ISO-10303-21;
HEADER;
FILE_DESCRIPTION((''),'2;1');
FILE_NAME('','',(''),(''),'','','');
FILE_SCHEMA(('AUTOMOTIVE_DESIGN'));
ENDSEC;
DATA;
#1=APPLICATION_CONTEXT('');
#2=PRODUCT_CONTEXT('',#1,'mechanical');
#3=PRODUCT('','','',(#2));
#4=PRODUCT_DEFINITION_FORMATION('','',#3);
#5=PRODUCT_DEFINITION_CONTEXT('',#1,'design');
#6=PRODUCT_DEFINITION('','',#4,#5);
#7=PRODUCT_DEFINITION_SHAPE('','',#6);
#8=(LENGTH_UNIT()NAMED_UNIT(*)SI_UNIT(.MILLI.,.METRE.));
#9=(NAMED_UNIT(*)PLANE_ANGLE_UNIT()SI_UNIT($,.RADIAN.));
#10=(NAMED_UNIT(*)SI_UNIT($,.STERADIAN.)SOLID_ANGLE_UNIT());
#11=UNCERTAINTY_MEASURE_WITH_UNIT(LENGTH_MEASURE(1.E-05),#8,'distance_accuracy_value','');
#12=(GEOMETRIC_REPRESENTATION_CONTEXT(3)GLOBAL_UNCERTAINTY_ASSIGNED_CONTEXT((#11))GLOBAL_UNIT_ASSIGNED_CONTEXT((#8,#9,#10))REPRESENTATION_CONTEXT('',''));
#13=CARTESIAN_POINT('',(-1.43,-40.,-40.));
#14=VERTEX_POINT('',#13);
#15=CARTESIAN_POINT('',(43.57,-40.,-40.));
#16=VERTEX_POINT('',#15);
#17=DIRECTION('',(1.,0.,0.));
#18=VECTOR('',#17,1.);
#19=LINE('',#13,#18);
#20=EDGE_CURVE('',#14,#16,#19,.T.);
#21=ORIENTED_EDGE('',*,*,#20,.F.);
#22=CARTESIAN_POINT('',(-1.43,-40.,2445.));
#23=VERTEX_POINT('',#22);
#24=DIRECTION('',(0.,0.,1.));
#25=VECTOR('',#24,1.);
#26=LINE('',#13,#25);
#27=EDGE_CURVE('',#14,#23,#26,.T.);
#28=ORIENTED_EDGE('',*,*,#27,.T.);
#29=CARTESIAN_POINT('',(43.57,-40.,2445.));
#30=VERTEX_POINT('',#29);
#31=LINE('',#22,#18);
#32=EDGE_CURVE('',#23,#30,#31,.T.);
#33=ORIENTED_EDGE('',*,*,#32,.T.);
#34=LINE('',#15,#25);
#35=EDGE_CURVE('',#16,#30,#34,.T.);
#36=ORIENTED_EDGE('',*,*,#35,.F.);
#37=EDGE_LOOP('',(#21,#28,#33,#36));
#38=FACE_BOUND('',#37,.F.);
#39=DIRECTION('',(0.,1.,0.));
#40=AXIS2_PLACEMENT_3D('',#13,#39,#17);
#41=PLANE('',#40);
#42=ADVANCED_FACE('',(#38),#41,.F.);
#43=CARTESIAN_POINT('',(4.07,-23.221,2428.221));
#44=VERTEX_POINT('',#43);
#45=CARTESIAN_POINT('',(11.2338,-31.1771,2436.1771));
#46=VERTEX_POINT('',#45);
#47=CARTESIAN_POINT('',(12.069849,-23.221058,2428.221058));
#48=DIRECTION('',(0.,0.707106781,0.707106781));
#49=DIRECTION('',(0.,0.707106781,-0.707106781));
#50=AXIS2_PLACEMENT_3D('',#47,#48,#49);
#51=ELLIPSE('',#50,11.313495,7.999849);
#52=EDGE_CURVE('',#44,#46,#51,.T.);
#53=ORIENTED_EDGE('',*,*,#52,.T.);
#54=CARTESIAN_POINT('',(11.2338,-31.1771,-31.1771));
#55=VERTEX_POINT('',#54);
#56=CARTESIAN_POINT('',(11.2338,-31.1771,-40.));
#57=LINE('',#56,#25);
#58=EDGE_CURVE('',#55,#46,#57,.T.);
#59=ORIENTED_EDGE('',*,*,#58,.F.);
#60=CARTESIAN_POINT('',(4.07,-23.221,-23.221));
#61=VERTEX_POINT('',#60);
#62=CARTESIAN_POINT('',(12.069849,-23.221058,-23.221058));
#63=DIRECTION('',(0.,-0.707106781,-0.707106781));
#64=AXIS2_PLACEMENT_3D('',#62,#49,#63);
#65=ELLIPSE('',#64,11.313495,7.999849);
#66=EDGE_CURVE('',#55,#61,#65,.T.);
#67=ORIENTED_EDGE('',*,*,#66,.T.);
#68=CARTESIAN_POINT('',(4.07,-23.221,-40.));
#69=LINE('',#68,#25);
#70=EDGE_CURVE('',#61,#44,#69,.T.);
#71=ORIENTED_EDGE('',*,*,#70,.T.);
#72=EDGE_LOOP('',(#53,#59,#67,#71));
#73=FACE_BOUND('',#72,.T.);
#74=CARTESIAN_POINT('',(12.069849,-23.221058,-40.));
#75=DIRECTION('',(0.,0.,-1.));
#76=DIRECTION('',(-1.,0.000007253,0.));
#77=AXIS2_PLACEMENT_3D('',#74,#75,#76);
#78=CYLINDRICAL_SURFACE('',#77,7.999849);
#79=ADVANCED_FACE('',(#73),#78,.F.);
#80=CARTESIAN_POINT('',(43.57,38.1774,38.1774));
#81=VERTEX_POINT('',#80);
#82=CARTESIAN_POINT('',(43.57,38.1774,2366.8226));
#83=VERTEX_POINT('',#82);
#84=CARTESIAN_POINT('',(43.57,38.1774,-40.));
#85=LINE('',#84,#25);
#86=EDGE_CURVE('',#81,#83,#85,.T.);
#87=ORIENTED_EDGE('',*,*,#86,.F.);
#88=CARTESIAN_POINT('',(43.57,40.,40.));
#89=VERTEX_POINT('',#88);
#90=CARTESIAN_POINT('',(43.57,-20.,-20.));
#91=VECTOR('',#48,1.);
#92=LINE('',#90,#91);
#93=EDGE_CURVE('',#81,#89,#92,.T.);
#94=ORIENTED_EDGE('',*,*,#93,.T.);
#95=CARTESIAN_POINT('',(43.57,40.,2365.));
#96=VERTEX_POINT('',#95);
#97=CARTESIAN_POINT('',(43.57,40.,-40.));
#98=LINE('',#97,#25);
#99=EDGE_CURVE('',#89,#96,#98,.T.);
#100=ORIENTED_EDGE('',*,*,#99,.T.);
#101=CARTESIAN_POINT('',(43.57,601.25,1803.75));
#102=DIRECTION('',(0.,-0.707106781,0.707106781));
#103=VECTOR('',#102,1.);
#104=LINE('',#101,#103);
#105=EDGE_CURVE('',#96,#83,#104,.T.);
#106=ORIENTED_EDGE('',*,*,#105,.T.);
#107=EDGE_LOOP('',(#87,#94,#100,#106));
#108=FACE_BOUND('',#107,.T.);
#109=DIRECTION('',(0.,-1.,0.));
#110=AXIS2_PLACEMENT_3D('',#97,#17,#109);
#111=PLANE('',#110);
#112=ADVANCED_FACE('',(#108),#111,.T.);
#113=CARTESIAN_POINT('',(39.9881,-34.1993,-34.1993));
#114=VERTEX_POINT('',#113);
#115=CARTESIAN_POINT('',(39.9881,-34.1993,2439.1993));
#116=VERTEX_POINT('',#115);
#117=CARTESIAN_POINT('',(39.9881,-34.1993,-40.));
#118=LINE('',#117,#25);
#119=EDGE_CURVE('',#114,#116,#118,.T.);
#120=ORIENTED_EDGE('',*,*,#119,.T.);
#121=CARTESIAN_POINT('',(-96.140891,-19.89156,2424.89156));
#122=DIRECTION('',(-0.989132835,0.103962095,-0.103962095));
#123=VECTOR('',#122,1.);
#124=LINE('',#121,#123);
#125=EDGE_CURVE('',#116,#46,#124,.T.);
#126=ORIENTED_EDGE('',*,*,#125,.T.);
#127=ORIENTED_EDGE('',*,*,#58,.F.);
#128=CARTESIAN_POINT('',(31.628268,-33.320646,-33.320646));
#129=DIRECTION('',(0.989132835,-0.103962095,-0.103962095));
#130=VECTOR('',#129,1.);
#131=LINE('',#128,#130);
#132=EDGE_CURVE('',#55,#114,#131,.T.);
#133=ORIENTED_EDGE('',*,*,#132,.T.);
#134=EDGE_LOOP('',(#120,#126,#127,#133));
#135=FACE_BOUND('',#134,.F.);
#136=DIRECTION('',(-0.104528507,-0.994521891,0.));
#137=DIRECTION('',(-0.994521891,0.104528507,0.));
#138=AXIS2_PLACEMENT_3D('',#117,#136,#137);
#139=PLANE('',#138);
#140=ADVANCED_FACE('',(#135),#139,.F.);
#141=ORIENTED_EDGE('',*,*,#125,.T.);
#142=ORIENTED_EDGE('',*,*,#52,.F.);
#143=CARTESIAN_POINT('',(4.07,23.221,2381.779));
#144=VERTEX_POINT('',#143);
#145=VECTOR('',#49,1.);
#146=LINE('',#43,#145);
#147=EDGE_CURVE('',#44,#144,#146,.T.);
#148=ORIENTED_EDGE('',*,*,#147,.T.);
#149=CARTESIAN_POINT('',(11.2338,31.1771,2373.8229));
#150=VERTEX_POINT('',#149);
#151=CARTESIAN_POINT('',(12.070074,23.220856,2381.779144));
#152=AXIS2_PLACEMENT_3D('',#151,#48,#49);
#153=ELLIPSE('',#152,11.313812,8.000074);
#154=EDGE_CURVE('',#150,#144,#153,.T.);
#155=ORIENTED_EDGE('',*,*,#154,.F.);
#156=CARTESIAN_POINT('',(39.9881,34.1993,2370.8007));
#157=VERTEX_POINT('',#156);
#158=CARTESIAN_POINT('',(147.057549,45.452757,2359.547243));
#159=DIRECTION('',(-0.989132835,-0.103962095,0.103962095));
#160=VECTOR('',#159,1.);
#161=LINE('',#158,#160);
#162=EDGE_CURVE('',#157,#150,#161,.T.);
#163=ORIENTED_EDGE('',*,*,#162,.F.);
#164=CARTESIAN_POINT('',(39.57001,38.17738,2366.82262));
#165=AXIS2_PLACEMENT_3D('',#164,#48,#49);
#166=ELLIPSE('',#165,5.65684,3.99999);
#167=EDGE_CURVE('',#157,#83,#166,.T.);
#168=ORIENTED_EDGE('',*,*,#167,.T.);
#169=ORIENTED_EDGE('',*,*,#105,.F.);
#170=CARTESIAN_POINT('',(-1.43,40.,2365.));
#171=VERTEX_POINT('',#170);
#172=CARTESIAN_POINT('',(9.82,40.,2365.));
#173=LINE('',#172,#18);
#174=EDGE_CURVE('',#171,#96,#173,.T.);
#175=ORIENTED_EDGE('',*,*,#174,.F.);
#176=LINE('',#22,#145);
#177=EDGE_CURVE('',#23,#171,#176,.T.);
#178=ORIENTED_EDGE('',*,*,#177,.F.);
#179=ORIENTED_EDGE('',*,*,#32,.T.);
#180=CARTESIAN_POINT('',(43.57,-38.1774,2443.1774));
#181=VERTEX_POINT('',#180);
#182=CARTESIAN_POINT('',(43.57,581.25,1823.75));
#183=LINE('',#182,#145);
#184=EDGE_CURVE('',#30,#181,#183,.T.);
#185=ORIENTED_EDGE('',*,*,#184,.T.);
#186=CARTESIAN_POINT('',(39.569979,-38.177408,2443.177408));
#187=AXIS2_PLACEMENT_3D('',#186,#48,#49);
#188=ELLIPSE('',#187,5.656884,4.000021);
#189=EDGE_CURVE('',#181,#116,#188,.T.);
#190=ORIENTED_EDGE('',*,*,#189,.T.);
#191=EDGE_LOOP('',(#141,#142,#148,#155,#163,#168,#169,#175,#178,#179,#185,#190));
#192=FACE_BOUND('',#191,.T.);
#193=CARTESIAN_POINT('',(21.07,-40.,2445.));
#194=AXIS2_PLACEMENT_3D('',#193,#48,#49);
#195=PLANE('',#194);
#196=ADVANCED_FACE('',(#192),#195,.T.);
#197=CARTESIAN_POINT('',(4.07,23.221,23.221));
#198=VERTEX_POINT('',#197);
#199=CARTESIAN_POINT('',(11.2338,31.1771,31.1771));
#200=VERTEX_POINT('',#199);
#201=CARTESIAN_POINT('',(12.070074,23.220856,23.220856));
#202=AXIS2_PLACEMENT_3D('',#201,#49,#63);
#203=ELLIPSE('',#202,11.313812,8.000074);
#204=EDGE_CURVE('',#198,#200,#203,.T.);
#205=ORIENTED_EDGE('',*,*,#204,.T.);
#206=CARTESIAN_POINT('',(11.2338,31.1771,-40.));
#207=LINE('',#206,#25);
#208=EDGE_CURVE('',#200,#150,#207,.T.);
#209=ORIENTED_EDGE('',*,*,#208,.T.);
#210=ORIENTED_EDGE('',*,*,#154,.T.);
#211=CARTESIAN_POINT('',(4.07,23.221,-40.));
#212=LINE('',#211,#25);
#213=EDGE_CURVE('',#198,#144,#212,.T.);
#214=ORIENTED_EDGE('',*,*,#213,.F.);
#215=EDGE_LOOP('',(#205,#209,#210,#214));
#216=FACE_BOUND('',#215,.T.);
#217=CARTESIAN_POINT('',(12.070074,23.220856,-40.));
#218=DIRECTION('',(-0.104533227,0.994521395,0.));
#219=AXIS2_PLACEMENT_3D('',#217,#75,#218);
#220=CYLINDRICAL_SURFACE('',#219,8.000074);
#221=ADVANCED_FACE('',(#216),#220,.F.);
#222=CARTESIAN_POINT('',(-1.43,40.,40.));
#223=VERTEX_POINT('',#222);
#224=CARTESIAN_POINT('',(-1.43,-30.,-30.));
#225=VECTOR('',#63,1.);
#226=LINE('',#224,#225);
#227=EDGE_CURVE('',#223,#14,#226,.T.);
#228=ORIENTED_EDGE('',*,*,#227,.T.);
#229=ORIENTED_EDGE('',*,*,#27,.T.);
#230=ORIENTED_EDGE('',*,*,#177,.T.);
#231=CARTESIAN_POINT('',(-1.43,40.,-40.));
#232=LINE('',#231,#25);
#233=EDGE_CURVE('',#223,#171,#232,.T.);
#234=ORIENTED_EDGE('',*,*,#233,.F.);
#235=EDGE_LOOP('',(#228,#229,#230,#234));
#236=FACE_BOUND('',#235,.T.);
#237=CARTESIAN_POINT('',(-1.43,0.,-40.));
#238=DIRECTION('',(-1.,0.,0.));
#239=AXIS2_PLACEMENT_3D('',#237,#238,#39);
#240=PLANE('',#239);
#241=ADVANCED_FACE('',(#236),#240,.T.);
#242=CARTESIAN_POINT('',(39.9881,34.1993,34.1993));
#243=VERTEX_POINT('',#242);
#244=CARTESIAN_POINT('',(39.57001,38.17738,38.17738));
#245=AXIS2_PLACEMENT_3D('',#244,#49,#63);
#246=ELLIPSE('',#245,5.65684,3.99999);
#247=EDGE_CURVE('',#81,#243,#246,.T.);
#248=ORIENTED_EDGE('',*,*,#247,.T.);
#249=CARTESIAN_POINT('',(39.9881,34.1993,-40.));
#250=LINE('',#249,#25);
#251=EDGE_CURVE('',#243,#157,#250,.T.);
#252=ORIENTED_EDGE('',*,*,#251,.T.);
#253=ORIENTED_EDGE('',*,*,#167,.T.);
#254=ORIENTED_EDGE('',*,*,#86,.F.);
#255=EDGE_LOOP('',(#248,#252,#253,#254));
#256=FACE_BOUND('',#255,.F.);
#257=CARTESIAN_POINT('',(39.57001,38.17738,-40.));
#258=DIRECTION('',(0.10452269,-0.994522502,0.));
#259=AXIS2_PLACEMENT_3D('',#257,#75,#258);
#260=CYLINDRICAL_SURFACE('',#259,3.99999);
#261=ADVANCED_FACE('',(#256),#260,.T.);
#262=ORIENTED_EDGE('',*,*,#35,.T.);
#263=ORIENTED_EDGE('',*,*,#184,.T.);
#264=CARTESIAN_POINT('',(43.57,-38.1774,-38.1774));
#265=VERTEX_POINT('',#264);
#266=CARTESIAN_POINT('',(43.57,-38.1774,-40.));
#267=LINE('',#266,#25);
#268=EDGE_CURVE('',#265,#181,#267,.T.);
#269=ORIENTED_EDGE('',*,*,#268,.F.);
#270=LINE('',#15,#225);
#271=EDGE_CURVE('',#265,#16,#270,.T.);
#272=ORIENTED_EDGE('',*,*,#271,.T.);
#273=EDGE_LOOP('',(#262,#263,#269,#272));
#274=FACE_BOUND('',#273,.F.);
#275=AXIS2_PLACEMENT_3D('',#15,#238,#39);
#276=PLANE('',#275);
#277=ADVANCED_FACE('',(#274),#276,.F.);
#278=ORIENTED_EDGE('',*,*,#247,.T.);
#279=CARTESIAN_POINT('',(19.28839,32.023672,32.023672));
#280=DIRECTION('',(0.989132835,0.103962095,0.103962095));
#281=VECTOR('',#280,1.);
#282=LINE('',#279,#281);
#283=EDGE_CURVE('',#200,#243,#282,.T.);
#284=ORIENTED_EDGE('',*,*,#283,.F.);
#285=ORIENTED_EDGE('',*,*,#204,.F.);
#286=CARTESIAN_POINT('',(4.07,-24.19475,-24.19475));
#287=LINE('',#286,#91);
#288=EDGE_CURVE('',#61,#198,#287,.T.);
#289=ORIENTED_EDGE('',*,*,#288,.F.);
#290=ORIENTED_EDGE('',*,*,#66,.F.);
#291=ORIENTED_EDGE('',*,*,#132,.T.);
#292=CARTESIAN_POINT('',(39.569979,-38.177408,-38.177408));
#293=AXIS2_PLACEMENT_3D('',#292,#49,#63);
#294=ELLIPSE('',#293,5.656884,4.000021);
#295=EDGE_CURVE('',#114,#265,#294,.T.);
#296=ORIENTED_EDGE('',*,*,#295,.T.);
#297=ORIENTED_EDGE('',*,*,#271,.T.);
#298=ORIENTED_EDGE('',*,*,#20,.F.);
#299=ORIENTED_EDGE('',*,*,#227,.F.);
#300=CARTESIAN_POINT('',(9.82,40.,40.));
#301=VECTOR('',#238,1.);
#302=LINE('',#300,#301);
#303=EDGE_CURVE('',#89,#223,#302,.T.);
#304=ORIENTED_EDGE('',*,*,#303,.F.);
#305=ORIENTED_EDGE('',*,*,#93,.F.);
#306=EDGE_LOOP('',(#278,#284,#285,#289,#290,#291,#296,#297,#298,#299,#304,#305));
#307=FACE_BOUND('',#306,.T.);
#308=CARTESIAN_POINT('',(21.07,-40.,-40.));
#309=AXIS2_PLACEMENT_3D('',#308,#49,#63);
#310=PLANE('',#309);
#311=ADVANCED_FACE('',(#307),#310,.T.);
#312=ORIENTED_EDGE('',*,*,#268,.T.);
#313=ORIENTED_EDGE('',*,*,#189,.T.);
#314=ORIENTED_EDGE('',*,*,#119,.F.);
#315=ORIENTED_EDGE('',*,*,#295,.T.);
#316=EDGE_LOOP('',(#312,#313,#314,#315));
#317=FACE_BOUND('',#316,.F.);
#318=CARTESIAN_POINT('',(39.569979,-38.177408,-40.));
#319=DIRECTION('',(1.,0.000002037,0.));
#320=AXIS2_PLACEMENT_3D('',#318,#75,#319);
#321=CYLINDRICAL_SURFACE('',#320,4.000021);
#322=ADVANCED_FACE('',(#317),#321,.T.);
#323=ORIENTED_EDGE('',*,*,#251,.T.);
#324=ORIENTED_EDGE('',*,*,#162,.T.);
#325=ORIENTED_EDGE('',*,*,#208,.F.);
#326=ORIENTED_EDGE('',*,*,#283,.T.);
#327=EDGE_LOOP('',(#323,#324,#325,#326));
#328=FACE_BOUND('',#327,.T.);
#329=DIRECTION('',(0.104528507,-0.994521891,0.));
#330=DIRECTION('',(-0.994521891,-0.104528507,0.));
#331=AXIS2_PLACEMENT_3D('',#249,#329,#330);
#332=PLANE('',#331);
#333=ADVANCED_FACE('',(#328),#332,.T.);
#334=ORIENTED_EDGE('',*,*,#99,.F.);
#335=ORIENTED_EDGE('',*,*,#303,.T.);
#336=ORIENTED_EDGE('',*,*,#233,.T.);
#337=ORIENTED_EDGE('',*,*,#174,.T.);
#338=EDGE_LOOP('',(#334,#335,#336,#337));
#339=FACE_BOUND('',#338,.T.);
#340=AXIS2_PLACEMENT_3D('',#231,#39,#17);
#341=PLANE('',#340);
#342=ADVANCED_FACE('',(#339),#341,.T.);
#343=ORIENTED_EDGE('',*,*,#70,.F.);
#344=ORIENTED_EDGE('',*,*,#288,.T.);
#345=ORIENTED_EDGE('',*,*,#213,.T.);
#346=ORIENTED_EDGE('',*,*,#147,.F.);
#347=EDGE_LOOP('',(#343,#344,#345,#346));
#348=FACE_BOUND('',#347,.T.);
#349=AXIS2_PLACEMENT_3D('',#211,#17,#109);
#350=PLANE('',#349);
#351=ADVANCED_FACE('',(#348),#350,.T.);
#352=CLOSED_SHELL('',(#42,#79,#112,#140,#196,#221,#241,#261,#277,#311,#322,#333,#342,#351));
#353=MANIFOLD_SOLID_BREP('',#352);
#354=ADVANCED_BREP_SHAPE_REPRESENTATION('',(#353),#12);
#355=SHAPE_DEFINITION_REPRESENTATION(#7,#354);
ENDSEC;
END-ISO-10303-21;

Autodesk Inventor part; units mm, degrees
ref_plane "Начальная плоскость" through (0, 0, -40) normal (0, 0, 1) x (1, 0, 0)
ref_plane "Конечная плоскость" through (0, 0, 2445) normal (0, 0, 1) x (1, 0, 0)
sketch "Эскиз" plane through (0, 0, 0) normal (0, 0, 1) x (1, 0, 0)
  line L0 (-1.43, 0) -> (-1.43, 40)
  line L1 (-1.43, 40) -> (43.57, 40)
  line L2 (43.57, 40) -> (43.57, 38.1774)
  line L3 (39.9881, 34.1993) -> (11.2338, 31.1771)
  line L4 (4.07, 23.221) -> (4.07, 0)
  line L5 (4.07, 0) -> (-1.43, 0) construction
  line L6 (23.82, 40) -> (23.82, 32.5) construction
  line L7 (43.57, 34.5758) -> (43.57, 32.5) construction
  line L8 (43.57, 32.5) -> (23.82, 32.5) construction
  line L9 (0, 15) -> (0, -27) construction
  line L10 (-5.539, 0) -> (16.0067, 0) construction
  line L11 (-1.43, 0) -> (-1.43, -40)
  line L12 (-1.43, -40) -> (43.57, -40)
  line L13 (43.57, -40) -> (43.57, -38.1774)
  line L14 (39.9881, -34.1993) -> (11.2338, -31.1771)
  line L15 (4.07, -23.221) -> (4.07, 0)
  arc A0 (11.2338, 31.1771) -> (4.07, 23.221) centre (12.07, 23.221) ccw
  arc A1 (4.07, -23.221) -> (11.2338, -31.1771) centre (12.07, -23.221) ccw
  arc A2 (39.9881, 34.1993) -> (43.57, 38.1774) centre (39.57, 38.1774) ccw
  arc A3 (43.57, -38.1774) -> (39.9881, -34.1993) centre (39.57, -38.1774) ccw
  line L16 (0, 56) -> (0, -56) construction
  line L17 (-15.5135, 0) -> (54.308, 0) construction
  point P0 (4.07, 30.4242)
  point P1 (43.57, -34.5758)
  point P2 (4.07, -30.4242)
  point P3 (23.82, -40)
  point P4 (23.82, -32.5)
  dimension "d0" = 5.5
  dimension "d1" = 40
  dimension "d2" = 45
  dimension "d3" = 7.5
  dimension "d4" = 19.75
  dimension "d5" = 2.0758
  dimension "d23" = 8
  dimension "d24" = 4
  dimension "d25" = 1.43
extrude "Тело" add sketch "Эскиз" along normal up to surface (2485 mm away) from surface at -40
sketch "Sketch3" plane through (0, 0, 0) normal (0, 0, 1) x (1, 0, 0)
  line L0 (0, 0) -> (10, 0)
ref_plane "Work Plane3" through (0, 0, 0) normal (0, -1, 0) x (1, 0, 0)
sketch "Sketch4" plane through (0, 0, 0) normal (0, -1, 0) x (1, 0, 0)
  line L0 (-2, -40) -> (12, -40)
  line L1 (-2, 2445) -> (12, 2445)
  dimension "d29" = 2485
ref_plane "РабПлоскость4" through (21.07, -40, 2445) normal (0, 0.7071, 0.7071) x (1, 0, 0)
split "Разделение1" plane through (21.07, -40, 2445) removes the side toward (0, 0.7071, 0.7071)
ref_plane "РабПлоскость5" through (21.07, -40, -40) normal (0, 0.7071, -0.7071) x (1, 0, 0)
split "Разделение2" plane through (21.07, -40, -40) removes the side toward (0, 0.7071, -0.7071)
equation "\"d0\" = G_T"
equation "\"d1\" = 0.5 * G_H"
equation "\"d2\" = G_W"
equation "\"d3\" = G_T1"
equation "\"d4\" = G_C"
equation "\"d23\" = G_IR"
equation "\"d24\" = G_ER"
equation "\"d25\" = ex"
equation "\"d6\" = G_L"
equation "\"G_W\" = 45"
equation "\"G_T\" = 5.5"
equation "\"G_T1\" = 7.5"
equation "\"G_NG\" = 0.105104"
equation "\"G_ER\" = 4"
equation "\"G_IR\" = 8"
equation "\"G_C\" = 19.75"
equation "\"G_L\" = d29"
equation "\"ex\" = 1.43"
equation "\"d27\" = G_OFFSET_END + B_L"
equation "\"B_L\" = 2405"
equation "\"G_H\" = 80"
equation "\"G_OFFSET_END\" = 40"
properties part number "ISO 657/11 - CH 80 x 8 - 2485" material "Сталь, мягкая"
